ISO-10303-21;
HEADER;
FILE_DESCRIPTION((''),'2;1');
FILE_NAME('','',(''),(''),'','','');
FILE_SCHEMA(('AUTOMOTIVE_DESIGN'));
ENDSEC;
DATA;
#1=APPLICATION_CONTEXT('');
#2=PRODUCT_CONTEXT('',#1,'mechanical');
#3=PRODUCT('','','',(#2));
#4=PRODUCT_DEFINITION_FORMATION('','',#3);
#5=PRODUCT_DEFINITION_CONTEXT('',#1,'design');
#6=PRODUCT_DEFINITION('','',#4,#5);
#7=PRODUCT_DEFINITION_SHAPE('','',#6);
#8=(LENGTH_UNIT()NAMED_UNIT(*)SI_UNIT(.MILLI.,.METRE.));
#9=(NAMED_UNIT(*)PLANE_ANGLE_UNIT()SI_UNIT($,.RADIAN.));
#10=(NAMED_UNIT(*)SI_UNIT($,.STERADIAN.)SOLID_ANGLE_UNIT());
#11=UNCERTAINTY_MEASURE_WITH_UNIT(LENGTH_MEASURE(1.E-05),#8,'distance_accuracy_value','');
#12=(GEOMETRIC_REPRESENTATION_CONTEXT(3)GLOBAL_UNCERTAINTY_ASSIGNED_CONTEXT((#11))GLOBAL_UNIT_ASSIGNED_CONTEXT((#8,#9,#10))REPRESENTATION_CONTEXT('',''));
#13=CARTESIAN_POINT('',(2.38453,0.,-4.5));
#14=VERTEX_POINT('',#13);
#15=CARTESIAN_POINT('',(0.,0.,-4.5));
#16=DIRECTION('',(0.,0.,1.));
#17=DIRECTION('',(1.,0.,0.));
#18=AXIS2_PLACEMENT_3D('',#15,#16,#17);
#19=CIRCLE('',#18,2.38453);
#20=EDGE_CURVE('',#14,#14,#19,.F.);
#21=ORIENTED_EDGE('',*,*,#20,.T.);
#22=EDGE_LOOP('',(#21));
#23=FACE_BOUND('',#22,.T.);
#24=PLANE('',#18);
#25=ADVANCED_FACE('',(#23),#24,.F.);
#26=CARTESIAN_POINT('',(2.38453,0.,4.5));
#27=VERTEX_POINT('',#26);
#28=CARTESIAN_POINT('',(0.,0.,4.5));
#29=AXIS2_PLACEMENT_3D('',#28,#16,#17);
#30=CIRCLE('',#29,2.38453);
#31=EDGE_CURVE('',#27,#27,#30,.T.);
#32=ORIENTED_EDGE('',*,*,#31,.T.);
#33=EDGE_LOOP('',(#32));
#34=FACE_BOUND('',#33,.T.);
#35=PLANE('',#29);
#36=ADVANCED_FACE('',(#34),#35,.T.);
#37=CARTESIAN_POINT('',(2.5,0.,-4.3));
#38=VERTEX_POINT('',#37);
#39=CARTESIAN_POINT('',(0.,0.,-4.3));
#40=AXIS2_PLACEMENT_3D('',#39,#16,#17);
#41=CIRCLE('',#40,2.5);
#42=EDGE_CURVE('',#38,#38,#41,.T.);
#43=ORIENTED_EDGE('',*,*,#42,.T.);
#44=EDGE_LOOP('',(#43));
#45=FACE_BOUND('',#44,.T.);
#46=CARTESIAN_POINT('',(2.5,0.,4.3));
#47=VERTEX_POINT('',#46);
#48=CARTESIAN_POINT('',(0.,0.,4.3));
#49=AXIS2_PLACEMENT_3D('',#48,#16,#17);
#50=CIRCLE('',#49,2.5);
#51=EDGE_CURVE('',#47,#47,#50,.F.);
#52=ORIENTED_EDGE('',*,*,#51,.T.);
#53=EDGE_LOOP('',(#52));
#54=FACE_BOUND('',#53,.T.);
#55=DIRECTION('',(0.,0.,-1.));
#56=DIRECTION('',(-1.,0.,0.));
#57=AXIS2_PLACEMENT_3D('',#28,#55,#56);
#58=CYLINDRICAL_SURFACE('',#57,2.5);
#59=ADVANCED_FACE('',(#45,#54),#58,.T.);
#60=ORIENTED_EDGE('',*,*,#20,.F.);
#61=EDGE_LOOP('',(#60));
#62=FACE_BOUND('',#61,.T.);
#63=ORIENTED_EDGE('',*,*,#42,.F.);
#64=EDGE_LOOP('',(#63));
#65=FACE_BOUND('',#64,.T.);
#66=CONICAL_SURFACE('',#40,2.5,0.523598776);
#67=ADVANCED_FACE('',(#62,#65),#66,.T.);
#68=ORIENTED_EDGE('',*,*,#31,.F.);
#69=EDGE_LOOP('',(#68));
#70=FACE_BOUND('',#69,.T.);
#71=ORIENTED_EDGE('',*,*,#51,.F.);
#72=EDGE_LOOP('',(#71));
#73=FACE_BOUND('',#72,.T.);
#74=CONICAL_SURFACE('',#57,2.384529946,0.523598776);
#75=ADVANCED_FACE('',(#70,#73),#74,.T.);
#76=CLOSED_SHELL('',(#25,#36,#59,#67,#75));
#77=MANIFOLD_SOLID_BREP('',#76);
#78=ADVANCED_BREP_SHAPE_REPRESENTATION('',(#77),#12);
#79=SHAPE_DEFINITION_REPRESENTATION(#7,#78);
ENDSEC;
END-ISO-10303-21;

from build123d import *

# Parameters (mm, degrees)
ESQUISSE1_R        = 2.5
BOSS_EXTRU_1_DEPTH = 4.5
CHANFREIN1_SIZE    = 0.2
CHANFREIN1_SIZE2   = 0.115470054


with BuildPart() as part:
    # Esquisse1 → Boss.-Extru.1 (new body, symmetric)
    with BuildSketch(Plane.XY):
        Circle(ESQUISSE1_R)
    extrude(amount=BOSS_EXTRU_1_DEPTH, both=True)

    # Chanfrein1
    chanfrein1_edges = [part.edges().sort_by_distance(p)[0] for p in [
        (-2.5, 0, -4.5),
        (-2.5, 0, 4.5),
    ]]
    chanfrein1_side = [part.faces().sort_by_distance(p)[0] for p in [
        (-2.5, 0, 0),
    ]]
    chamfer(chanfrein1_edges, length=CHANFREIN1_SIZE, length2=CHANFREIN1_SIZE2, reference=chanfrein1_side[0])


solid = part.part
